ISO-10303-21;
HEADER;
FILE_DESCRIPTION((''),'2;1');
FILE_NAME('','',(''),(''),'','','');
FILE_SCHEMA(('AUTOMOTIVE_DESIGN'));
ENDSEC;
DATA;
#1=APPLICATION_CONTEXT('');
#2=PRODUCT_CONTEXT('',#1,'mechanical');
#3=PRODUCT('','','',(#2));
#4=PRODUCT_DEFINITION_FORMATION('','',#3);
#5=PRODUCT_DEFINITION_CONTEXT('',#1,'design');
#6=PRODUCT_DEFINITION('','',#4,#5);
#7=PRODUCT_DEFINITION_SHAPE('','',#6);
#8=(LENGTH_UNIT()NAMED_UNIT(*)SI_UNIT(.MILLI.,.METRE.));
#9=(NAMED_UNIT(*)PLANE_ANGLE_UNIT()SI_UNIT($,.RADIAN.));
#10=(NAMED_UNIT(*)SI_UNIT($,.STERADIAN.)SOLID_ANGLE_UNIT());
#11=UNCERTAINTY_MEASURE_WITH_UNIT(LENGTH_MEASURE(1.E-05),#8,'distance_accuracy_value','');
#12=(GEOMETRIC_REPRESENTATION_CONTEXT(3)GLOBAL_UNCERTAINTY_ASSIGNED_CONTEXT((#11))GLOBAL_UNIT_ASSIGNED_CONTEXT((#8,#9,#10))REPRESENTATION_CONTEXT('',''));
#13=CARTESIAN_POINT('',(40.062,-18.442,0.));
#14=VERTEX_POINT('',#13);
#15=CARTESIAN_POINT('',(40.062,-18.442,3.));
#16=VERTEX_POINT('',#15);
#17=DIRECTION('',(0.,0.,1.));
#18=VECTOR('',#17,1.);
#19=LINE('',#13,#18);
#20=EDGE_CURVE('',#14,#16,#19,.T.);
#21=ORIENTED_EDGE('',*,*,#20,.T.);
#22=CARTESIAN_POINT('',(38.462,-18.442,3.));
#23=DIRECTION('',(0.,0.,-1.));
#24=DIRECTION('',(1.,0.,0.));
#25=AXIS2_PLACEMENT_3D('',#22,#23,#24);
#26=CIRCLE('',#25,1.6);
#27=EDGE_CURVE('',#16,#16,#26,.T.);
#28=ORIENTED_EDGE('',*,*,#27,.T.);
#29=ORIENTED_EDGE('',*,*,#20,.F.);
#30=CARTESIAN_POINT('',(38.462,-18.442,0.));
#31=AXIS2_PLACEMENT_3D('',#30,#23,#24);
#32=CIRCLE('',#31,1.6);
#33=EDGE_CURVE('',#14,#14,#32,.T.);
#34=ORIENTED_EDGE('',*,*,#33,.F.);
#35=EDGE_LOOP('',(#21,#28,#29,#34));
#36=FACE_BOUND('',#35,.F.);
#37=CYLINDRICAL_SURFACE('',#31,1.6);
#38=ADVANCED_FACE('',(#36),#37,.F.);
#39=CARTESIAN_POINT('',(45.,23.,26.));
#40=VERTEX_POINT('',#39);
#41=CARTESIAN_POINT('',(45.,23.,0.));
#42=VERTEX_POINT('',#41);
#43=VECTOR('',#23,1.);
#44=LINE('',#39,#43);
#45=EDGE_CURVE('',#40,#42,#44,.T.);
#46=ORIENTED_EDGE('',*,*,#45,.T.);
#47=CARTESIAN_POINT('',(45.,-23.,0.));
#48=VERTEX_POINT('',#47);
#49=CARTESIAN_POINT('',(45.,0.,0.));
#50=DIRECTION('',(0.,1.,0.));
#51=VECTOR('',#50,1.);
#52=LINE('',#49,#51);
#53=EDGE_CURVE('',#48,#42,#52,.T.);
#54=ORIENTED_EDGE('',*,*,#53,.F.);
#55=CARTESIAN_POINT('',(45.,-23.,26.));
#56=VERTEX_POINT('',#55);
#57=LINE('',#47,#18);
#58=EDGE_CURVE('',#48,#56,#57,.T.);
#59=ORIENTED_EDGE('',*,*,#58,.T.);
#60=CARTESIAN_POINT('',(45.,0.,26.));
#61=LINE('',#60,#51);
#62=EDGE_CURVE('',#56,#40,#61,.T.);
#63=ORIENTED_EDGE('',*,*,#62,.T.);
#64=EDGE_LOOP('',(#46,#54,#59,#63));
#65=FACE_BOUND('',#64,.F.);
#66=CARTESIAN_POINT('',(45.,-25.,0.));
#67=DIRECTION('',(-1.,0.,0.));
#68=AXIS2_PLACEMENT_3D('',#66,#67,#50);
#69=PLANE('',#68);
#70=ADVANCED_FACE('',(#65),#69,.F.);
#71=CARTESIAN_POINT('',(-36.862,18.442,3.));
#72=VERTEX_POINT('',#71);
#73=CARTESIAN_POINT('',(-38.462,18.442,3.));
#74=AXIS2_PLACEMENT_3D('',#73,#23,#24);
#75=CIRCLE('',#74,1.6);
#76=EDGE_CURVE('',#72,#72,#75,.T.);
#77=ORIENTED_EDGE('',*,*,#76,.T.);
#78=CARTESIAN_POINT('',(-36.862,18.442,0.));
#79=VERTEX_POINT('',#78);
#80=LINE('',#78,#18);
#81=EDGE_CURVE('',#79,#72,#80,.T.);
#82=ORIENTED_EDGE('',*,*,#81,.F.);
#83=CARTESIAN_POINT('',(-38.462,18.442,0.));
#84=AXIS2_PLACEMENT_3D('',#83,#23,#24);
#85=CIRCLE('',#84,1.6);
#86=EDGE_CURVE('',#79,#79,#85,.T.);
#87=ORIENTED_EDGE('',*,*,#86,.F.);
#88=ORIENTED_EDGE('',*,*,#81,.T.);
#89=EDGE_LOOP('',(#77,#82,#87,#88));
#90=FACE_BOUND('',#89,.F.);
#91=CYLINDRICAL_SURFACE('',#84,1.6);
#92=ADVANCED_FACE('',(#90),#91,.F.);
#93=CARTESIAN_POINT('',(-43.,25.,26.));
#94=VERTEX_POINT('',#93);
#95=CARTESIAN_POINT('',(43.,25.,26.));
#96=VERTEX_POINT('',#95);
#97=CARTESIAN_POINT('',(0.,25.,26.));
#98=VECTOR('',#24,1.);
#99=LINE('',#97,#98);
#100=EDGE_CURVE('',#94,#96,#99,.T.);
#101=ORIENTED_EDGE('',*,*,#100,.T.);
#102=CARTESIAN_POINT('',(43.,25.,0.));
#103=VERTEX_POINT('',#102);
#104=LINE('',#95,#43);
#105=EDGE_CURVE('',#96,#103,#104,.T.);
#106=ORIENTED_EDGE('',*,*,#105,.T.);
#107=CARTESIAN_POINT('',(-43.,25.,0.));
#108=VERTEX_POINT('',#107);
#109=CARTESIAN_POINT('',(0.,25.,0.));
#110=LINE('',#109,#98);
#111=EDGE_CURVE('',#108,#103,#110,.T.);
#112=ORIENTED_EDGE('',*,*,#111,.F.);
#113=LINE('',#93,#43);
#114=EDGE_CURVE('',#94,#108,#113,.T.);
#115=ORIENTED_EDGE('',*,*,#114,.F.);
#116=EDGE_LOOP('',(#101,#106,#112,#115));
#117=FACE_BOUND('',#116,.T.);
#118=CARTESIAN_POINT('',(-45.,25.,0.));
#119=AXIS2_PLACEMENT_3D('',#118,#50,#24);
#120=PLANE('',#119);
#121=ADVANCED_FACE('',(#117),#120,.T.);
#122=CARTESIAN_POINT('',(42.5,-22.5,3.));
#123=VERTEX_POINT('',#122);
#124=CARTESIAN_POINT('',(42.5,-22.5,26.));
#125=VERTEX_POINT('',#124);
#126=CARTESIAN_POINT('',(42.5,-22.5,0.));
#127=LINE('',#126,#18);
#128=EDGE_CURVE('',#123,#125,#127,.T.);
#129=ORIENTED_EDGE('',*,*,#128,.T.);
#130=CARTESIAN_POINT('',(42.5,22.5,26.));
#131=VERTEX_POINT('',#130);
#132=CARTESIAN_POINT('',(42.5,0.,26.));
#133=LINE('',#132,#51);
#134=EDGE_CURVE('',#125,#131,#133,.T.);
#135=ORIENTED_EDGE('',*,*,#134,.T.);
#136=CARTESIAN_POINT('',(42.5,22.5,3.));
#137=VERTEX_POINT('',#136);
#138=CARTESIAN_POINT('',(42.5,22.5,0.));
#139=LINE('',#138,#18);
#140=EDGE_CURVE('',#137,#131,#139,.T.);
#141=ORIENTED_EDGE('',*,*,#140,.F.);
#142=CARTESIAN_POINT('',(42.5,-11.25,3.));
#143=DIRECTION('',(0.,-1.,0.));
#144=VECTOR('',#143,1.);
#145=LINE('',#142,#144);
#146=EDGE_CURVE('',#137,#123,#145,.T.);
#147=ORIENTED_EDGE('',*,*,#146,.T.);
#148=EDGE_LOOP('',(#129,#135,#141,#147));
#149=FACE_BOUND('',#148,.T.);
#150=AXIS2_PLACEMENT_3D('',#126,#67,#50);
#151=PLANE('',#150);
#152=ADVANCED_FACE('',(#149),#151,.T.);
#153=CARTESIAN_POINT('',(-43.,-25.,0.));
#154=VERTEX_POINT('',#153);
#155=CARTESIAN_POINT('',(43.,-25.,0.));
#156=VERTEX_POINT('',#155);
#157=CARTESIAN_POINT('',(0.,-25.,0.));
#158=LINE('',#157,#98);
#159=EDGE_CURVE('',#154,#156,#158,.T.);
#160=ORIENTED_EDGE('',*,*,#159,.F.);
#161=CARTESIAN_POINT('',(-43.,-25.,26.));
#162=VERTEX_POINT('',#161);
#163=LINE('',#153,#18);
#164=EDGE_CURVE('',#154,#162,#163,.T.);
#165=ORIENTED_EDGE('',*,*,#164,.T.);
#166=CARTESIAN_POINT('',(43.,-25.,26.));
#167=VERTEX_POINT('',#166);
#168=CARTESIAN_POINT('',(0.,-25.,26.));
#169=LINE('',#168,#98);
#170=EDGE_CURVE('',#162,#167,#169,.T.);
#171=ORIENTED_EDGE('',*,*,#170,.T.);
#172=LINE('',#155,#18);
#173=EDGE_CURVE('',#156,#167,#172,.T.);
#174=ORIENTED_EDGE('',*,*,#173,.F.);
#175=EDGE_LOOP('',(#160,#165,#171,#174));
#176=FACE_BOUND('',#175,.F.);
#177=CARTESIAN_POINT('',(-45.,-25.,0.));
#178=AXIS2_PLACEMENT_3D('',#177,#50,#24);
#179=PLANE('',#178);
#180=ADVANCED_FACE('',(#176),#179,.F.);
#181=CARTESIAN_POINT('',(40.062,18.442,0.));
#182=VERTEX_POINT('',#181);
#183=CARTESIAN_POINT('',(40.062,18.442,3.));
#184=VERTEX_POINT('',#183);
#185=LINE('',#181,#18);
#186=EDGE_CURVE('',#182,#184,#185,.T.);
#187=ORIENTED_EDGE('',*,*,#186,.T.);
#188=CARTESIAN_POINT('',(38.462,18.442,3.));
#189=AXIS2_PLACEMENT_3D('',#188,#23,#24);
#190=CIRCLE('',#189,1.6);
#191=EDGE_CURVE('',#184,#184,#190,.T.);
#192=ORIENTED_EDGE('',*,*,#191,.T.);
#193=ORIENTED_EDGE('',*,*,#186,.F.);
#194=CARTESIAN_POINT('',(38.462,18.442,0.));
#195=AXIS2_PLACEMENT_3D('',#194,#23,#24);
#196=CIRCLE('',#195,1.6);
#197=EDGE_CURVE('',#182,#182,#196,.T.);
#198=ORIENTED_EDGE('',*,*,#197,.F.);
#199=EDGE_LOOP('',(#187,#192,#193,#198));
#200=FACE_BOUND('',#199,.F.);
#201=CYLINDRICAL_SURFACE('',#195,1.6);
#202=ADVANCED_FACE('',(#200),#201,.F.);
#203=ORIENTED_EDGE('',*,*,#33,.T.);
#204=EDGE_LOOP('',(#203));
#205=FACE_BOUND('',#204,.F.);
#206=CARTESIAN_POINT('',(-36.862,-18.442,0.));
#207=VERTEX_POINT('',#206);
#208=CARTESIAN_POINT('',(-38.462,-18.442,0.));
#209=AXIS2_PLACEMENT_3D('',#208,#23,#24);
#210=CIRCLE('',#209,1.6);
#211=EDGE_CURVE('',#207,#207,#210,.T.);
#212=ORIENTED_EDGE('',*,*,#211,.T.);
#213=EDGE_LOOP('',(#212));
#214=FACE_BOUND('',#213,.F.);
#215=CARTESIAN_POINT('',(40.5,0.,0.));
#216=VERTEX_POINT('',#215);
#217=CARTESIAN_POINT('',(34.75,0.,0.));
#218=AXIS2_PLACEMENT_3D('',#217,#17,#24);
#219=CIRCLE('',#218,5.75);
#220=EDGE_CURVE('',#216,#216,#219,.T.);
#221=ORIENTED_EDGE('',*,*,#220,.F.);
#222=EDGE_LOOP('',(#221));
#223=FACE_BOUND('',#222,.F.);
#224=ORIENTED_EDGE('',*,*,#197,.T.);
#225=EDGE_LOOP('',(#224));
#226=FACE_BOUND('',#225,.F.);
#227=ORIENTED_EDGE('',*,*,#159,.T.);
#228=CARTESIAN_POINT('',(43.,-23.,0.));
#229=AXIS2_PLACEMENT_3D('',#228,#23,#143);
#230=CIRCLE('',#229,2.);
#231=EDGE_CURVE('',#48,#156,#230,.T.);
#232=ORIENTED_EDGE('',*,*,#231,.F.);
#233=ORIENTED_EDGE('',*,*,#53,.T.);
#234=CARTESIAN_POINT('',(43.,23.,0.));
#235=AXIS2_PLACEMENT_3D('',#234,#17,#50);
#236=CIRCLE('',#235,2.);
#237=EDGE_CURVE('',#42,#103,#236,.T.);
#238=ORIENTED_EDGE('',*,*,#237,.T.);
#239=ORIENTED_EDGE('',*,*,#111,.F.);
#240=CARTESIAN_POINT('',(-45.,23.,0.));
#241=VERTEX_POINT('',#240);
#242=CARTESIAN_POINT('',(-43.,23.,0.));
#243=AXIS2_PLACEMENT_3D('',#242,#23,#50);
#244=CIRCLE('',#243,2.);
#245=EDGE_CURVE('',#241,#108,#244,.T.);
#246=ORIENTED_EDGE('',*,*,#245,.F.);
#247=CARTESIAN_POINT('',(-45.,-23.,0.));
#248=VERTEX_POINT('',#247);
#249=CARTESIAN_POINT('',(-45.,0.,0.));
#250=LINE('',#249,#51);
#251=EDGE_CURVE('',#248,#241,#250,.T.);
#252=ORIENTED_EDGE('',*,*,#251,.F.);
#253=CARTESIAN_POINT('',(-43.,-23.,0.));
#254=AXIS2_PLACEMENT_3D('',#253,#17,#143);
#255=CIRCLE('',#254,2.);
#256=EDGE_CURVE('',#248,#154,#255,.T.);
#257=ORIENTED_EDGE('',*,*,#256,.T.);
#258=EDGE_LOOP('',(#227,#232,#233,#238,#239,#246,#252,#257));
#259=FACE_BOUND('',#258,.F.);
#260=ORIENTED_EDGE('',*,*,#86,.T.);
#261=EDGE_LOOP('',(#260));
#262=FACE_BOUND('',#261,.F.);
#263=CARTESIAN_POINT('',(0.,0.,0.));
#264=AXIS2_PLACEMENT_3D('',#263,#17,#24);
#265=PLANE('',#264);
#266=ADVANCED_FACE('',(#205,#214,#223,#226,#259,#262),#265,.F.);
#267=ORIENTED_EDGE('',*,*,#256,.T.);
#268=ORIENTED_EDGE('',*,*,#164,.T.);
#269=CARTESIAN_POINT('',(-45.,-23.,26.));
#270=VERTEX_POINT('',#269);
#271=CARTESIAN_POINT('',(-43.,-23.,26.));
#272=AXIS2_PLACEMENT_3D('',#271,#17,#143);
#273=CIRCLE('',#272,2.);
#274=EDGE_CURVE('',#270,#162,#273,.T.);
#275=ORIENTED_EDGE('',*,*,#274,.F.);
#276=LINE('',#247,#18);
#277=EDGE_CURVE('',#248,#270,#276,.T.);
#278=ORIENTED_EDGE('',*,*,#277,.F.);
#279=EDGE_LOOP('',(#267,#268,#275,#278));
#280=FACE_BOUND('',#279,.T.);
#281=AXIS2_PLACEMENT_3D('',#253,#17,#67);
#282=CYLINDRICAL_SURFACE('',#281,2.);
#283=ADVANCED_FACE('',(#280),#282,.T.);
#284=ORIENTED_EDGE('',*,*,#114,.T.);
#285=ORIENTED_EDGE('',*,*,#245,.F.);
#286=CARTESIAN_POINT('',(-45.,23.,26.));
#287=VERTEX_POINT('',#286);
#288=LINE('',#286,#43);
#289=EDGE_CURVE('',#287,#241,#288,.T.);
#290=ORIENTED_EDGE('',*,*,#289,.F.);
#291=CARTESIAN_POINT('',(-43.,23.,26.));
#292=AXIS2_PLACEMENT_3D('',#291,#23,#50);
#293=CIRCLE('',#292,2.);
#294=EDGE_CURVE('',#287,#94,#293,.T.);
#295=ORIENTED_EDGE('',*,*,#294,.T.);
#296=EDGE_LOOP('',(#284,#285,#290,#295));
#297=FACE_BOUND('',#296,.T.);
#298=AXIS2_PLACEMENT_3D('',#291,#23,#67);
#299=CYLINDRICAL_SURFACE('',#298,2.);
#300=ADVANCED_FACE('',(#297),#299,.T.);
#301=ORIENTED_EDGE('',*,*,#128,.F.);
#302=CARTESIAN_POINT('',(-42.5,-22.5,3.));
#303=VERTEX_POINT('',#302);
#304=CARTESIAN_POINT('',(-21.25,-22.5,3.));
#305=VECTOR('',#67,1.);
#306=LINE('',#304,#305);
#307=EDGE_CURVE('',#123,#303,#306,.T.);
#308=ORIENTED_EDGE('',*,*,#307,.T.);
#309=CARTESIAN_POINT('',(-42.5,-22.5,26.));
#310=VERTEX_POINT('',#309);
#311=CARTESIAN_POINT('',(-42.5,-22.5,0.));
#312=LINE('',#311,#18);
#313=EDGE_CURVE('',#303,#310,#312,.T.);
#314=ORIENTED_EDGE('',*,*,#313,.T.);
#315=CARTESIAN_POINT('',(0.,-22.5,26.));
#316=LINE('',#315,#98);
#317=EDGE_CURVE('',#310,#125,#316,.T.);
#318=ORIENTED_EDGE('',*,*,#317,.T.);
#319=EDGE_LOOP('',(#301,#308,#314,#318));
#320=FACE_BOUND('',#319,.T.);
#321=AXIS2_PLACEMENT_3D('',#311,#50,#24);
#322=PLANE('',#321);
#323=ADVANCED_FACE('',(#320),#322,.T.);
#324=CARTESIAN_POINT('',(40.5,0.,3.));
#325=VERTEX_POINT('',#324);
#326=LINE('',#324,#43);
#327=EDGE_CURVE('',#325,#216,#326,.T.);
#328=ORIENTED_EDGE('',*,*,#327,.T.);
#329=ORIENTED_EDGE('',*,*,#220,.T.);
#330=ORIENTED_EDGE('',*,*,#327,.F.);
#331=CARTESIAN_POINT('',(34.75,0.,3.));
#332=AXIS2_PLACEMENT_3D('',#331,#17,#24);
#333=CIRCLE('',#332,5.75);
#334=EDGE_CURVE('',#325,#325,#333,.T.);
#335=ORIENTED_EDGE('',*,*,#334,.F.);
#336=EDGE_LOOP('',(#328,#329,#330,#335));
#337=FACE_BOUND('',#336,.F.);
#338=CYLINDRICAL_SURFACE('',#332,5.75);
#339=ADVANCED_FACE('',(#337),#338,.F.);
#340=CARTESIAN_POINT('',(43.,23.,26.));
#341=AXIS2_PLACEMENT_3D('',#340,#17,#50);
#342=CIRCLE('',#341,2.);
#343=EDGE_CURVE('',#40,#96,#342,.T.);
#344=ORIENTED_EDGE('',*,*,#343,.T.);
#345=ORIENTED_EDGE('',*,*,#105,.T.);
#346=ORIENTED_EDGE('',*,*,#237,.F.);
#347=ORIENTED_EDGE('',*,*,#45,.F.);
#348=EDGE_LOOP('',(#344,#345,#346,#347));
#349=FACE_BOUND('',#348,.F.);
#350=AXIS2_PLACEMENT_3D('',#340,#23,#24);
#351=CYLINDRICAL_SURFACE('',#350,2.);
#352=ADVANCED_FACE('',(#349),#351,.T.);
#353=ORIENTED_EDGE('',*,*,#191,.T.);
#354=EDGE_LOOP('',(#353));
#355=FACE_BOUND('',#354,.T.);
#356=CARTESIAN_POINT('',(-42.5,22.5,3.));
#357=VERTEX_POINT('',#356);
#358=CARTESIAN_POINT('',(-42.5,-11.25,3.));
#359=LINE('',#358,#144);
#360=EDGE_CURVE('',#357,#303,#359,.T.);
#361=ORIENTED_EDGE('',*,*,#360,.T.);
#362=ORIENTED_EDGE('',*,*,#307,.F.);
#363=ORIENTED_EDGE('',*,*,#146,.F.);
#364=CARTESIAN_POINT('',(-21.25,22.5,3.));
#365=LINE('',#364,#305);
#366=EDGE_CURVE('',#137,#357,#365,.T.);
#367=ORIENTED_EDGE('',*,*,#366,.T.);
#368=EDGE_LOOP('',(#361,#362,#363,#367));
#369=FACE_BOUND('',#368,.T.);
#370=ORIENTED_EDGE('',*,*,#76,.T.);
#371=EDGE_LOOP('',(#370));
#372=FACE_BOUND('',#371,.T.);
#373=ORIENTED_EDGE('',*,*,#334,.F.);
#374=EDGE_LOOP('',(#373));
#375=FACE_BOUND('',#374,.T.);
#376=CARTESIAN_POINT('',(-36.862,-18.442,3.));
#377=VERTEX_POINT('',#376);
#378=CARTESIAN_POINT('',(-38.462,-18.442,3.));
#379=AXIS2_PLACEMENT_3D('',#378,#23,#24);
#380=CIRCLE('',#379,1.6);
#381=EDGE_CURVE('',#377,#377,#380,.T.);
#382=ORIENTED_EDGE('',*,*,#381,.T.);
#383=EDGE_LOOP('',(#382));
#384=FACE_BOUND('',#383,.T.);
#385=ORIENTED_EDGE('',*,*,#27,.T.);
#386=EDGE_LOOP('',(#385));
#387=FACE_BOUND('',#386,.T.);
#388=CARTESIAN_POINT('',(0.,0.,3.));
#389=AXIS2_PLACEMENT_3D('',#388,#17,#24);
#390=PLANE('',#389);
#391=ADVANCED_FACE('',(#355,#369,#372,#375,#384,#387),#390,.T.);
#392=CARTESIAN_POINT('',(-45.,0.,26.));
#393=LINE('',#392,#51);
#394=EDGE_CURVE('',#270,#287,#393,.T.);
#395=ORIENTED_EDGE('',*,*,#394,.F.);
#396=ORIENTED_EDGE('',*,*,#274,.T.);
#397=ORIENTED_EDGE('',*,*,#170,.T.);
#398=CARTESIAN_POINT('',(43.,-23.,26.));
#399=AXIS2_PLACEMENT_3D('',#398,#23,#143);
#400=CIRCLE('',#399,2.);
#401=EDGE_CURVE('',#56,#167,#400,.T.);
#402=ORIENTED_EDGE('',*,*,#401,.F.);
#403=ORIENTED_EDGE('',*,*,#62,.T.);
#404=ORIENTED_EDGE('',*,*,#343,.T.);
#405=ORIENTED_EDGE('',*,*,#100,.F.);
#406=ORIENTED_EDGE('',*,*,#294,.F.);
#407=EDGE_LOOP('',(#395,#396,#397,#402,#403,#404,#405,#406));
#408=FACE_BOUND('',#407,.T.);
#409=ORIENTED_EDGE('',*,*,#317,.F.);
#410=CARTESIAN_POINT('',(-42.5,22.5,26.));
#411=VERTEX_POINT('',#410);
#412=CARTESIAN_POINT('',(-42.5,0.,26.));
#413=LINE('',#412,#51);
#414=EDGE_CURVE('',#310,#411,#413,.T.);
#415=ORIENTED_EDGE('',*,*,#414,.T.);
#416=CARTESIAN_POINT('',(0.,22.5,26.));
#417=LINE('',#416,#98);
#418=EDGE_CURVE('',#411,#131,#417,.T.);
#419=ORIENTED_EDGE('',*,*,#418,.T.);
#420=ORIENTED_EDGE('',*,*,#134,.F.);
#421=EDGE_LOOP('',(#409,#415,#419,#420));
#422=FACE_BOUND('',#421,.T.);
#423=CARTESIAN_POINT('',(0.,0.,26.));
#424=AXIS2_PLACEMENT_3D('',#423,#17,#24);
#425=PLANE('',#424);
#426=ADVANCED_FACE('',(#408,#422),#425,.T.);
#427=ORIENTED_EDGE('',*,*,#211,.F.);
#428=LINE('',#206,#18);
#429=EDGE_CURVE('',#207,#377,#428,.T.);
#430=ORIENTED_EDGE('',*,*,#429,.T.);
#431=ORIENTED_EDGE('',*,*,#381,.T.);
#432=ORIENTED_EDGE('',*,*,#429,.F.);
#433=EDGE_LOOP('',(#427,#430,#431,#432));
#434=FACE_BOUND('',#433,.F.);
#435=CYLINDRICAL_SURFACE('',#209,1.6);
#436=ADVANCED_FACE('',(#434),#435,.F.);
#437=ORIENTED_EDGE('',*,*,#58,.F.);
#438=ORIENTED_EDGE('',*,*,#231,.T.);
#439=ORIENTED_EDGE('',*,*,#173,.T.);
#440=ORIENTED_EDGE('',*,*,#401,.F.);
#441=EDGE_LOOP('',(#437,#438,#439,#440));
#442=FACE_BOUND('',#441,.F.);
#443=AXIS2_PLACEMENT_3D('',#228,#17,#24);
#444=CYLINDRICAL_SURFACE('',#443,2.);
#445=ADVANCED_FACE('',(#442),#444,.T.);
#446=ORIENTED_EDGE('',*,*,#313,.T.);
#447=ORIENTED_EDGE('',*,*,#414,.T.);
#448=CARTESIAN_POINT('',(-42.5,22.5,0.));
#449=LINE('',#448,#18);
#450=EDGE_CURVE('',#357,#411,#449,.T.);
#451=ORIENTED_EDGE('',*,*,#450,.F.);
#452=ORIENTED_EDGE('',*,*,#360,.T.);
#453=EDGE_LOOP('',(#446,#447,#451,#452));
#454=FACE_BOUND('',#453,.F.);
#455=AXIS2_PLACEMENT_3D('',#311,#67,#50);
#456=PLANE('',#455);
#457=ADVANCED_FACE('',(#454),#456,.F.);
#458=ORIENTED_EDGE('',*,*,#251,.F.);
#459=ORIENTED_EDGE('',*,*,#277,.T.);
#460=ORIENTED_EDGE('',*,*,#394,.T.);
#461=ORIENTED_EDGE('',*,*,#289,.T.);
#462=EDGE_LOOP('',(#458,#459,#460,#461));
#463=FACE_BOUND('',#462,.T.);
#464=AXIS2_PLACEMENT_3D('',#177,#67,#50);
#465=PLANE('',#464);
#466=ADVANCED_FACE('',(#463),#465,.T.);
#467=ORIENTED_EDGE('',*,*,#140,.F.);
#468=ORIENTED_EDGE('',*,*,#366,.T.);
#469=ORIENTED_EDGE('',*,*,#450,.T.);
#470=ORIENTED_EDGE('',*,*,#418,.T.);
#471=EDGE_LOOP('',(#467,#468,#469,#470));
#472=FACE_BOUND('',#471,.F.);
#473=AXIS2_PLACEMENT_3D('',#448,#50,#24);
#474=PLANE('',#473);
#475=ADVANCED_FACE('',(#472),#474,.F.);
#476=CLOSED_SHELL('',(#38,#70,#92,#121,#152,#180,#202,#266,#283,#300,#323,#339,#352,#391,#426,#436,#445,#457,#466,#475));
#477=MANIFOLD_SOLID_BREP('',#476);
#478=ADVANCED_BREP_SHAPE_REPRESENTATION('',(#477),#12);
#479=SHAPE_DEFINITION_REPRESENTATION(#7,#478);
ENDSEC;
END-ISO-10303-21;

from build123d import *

# Parameters (mm, degrees)
F0_W     = 90
F0_H     = 50
F0_W_2   = 85
F0_H_2   = 45
F1_DEPTH = 3
F2_DEPTH = 26
F3_R     = 2
F4_R     = 5.75
F5_DEPTH = 3
F6_R     = 1.6
F7_DEPTH = 25


with BuildPart() as f1:
    # F0 (on Top) → F1 (new body)
    with BuildSketch(Plane.XY):
        Rectangle(F0_W, F0_H)
        Rectangle(F0_W_2, F0_H_2, mode=Mode.SUBTRACT)
        Rectangle(F0_W_2, F0_H_2)
    extrude(amount=F1_DEPTH)

    # F0 (on Top) → F2 (join)
    with BuildSketch(Plane.XY):
        Rectangle(F0_W, F0_H)
        Rectangle(F0_W_2, F0_H_2, mode=Mode.SUBTRACT)
    extrude(amount=F2_DEPTH)

    # F3
    f3_edges = [f1.edges().sort_by_distance(p)[0] for p in [
        (-45, -25, 13),
        (45, -25, 13),
        (-45, 25, 13),
        (45, 25, 13),
    ]]
    fillet(f3_edges, radius=F3_R)

    # F4 (on face) → F5 (cut, through all)
    with BuildSketch(Plane.XY.offset(3)):
        with Locations((34.75, 0)):
            Circle(F4_R)
    extrude(amount=-F5_DEPTH, mode=Mode.SUBTRACT)

    # F6 (on face) → F7 (cut)
    with BuildSketch(Plane(origin=(0, 0, 0), x_dir=(1, 0, 0), z_dir=(0, 0, -1))):
        with Locations((-38.462, -18.442)):
            Circle(F6_R)
        with Locations((-38.462, 18.442)):
            Circle(F6_R)
        with Locations((38.462, 18.442)):
            Circle(F6_R)
        with Locations((38.462, -18.442)):
            Circle(F6_R)
    extrude(amount=-F7_DEPTH, mode=Mode.SUBTRACT)


solid = f1.part
